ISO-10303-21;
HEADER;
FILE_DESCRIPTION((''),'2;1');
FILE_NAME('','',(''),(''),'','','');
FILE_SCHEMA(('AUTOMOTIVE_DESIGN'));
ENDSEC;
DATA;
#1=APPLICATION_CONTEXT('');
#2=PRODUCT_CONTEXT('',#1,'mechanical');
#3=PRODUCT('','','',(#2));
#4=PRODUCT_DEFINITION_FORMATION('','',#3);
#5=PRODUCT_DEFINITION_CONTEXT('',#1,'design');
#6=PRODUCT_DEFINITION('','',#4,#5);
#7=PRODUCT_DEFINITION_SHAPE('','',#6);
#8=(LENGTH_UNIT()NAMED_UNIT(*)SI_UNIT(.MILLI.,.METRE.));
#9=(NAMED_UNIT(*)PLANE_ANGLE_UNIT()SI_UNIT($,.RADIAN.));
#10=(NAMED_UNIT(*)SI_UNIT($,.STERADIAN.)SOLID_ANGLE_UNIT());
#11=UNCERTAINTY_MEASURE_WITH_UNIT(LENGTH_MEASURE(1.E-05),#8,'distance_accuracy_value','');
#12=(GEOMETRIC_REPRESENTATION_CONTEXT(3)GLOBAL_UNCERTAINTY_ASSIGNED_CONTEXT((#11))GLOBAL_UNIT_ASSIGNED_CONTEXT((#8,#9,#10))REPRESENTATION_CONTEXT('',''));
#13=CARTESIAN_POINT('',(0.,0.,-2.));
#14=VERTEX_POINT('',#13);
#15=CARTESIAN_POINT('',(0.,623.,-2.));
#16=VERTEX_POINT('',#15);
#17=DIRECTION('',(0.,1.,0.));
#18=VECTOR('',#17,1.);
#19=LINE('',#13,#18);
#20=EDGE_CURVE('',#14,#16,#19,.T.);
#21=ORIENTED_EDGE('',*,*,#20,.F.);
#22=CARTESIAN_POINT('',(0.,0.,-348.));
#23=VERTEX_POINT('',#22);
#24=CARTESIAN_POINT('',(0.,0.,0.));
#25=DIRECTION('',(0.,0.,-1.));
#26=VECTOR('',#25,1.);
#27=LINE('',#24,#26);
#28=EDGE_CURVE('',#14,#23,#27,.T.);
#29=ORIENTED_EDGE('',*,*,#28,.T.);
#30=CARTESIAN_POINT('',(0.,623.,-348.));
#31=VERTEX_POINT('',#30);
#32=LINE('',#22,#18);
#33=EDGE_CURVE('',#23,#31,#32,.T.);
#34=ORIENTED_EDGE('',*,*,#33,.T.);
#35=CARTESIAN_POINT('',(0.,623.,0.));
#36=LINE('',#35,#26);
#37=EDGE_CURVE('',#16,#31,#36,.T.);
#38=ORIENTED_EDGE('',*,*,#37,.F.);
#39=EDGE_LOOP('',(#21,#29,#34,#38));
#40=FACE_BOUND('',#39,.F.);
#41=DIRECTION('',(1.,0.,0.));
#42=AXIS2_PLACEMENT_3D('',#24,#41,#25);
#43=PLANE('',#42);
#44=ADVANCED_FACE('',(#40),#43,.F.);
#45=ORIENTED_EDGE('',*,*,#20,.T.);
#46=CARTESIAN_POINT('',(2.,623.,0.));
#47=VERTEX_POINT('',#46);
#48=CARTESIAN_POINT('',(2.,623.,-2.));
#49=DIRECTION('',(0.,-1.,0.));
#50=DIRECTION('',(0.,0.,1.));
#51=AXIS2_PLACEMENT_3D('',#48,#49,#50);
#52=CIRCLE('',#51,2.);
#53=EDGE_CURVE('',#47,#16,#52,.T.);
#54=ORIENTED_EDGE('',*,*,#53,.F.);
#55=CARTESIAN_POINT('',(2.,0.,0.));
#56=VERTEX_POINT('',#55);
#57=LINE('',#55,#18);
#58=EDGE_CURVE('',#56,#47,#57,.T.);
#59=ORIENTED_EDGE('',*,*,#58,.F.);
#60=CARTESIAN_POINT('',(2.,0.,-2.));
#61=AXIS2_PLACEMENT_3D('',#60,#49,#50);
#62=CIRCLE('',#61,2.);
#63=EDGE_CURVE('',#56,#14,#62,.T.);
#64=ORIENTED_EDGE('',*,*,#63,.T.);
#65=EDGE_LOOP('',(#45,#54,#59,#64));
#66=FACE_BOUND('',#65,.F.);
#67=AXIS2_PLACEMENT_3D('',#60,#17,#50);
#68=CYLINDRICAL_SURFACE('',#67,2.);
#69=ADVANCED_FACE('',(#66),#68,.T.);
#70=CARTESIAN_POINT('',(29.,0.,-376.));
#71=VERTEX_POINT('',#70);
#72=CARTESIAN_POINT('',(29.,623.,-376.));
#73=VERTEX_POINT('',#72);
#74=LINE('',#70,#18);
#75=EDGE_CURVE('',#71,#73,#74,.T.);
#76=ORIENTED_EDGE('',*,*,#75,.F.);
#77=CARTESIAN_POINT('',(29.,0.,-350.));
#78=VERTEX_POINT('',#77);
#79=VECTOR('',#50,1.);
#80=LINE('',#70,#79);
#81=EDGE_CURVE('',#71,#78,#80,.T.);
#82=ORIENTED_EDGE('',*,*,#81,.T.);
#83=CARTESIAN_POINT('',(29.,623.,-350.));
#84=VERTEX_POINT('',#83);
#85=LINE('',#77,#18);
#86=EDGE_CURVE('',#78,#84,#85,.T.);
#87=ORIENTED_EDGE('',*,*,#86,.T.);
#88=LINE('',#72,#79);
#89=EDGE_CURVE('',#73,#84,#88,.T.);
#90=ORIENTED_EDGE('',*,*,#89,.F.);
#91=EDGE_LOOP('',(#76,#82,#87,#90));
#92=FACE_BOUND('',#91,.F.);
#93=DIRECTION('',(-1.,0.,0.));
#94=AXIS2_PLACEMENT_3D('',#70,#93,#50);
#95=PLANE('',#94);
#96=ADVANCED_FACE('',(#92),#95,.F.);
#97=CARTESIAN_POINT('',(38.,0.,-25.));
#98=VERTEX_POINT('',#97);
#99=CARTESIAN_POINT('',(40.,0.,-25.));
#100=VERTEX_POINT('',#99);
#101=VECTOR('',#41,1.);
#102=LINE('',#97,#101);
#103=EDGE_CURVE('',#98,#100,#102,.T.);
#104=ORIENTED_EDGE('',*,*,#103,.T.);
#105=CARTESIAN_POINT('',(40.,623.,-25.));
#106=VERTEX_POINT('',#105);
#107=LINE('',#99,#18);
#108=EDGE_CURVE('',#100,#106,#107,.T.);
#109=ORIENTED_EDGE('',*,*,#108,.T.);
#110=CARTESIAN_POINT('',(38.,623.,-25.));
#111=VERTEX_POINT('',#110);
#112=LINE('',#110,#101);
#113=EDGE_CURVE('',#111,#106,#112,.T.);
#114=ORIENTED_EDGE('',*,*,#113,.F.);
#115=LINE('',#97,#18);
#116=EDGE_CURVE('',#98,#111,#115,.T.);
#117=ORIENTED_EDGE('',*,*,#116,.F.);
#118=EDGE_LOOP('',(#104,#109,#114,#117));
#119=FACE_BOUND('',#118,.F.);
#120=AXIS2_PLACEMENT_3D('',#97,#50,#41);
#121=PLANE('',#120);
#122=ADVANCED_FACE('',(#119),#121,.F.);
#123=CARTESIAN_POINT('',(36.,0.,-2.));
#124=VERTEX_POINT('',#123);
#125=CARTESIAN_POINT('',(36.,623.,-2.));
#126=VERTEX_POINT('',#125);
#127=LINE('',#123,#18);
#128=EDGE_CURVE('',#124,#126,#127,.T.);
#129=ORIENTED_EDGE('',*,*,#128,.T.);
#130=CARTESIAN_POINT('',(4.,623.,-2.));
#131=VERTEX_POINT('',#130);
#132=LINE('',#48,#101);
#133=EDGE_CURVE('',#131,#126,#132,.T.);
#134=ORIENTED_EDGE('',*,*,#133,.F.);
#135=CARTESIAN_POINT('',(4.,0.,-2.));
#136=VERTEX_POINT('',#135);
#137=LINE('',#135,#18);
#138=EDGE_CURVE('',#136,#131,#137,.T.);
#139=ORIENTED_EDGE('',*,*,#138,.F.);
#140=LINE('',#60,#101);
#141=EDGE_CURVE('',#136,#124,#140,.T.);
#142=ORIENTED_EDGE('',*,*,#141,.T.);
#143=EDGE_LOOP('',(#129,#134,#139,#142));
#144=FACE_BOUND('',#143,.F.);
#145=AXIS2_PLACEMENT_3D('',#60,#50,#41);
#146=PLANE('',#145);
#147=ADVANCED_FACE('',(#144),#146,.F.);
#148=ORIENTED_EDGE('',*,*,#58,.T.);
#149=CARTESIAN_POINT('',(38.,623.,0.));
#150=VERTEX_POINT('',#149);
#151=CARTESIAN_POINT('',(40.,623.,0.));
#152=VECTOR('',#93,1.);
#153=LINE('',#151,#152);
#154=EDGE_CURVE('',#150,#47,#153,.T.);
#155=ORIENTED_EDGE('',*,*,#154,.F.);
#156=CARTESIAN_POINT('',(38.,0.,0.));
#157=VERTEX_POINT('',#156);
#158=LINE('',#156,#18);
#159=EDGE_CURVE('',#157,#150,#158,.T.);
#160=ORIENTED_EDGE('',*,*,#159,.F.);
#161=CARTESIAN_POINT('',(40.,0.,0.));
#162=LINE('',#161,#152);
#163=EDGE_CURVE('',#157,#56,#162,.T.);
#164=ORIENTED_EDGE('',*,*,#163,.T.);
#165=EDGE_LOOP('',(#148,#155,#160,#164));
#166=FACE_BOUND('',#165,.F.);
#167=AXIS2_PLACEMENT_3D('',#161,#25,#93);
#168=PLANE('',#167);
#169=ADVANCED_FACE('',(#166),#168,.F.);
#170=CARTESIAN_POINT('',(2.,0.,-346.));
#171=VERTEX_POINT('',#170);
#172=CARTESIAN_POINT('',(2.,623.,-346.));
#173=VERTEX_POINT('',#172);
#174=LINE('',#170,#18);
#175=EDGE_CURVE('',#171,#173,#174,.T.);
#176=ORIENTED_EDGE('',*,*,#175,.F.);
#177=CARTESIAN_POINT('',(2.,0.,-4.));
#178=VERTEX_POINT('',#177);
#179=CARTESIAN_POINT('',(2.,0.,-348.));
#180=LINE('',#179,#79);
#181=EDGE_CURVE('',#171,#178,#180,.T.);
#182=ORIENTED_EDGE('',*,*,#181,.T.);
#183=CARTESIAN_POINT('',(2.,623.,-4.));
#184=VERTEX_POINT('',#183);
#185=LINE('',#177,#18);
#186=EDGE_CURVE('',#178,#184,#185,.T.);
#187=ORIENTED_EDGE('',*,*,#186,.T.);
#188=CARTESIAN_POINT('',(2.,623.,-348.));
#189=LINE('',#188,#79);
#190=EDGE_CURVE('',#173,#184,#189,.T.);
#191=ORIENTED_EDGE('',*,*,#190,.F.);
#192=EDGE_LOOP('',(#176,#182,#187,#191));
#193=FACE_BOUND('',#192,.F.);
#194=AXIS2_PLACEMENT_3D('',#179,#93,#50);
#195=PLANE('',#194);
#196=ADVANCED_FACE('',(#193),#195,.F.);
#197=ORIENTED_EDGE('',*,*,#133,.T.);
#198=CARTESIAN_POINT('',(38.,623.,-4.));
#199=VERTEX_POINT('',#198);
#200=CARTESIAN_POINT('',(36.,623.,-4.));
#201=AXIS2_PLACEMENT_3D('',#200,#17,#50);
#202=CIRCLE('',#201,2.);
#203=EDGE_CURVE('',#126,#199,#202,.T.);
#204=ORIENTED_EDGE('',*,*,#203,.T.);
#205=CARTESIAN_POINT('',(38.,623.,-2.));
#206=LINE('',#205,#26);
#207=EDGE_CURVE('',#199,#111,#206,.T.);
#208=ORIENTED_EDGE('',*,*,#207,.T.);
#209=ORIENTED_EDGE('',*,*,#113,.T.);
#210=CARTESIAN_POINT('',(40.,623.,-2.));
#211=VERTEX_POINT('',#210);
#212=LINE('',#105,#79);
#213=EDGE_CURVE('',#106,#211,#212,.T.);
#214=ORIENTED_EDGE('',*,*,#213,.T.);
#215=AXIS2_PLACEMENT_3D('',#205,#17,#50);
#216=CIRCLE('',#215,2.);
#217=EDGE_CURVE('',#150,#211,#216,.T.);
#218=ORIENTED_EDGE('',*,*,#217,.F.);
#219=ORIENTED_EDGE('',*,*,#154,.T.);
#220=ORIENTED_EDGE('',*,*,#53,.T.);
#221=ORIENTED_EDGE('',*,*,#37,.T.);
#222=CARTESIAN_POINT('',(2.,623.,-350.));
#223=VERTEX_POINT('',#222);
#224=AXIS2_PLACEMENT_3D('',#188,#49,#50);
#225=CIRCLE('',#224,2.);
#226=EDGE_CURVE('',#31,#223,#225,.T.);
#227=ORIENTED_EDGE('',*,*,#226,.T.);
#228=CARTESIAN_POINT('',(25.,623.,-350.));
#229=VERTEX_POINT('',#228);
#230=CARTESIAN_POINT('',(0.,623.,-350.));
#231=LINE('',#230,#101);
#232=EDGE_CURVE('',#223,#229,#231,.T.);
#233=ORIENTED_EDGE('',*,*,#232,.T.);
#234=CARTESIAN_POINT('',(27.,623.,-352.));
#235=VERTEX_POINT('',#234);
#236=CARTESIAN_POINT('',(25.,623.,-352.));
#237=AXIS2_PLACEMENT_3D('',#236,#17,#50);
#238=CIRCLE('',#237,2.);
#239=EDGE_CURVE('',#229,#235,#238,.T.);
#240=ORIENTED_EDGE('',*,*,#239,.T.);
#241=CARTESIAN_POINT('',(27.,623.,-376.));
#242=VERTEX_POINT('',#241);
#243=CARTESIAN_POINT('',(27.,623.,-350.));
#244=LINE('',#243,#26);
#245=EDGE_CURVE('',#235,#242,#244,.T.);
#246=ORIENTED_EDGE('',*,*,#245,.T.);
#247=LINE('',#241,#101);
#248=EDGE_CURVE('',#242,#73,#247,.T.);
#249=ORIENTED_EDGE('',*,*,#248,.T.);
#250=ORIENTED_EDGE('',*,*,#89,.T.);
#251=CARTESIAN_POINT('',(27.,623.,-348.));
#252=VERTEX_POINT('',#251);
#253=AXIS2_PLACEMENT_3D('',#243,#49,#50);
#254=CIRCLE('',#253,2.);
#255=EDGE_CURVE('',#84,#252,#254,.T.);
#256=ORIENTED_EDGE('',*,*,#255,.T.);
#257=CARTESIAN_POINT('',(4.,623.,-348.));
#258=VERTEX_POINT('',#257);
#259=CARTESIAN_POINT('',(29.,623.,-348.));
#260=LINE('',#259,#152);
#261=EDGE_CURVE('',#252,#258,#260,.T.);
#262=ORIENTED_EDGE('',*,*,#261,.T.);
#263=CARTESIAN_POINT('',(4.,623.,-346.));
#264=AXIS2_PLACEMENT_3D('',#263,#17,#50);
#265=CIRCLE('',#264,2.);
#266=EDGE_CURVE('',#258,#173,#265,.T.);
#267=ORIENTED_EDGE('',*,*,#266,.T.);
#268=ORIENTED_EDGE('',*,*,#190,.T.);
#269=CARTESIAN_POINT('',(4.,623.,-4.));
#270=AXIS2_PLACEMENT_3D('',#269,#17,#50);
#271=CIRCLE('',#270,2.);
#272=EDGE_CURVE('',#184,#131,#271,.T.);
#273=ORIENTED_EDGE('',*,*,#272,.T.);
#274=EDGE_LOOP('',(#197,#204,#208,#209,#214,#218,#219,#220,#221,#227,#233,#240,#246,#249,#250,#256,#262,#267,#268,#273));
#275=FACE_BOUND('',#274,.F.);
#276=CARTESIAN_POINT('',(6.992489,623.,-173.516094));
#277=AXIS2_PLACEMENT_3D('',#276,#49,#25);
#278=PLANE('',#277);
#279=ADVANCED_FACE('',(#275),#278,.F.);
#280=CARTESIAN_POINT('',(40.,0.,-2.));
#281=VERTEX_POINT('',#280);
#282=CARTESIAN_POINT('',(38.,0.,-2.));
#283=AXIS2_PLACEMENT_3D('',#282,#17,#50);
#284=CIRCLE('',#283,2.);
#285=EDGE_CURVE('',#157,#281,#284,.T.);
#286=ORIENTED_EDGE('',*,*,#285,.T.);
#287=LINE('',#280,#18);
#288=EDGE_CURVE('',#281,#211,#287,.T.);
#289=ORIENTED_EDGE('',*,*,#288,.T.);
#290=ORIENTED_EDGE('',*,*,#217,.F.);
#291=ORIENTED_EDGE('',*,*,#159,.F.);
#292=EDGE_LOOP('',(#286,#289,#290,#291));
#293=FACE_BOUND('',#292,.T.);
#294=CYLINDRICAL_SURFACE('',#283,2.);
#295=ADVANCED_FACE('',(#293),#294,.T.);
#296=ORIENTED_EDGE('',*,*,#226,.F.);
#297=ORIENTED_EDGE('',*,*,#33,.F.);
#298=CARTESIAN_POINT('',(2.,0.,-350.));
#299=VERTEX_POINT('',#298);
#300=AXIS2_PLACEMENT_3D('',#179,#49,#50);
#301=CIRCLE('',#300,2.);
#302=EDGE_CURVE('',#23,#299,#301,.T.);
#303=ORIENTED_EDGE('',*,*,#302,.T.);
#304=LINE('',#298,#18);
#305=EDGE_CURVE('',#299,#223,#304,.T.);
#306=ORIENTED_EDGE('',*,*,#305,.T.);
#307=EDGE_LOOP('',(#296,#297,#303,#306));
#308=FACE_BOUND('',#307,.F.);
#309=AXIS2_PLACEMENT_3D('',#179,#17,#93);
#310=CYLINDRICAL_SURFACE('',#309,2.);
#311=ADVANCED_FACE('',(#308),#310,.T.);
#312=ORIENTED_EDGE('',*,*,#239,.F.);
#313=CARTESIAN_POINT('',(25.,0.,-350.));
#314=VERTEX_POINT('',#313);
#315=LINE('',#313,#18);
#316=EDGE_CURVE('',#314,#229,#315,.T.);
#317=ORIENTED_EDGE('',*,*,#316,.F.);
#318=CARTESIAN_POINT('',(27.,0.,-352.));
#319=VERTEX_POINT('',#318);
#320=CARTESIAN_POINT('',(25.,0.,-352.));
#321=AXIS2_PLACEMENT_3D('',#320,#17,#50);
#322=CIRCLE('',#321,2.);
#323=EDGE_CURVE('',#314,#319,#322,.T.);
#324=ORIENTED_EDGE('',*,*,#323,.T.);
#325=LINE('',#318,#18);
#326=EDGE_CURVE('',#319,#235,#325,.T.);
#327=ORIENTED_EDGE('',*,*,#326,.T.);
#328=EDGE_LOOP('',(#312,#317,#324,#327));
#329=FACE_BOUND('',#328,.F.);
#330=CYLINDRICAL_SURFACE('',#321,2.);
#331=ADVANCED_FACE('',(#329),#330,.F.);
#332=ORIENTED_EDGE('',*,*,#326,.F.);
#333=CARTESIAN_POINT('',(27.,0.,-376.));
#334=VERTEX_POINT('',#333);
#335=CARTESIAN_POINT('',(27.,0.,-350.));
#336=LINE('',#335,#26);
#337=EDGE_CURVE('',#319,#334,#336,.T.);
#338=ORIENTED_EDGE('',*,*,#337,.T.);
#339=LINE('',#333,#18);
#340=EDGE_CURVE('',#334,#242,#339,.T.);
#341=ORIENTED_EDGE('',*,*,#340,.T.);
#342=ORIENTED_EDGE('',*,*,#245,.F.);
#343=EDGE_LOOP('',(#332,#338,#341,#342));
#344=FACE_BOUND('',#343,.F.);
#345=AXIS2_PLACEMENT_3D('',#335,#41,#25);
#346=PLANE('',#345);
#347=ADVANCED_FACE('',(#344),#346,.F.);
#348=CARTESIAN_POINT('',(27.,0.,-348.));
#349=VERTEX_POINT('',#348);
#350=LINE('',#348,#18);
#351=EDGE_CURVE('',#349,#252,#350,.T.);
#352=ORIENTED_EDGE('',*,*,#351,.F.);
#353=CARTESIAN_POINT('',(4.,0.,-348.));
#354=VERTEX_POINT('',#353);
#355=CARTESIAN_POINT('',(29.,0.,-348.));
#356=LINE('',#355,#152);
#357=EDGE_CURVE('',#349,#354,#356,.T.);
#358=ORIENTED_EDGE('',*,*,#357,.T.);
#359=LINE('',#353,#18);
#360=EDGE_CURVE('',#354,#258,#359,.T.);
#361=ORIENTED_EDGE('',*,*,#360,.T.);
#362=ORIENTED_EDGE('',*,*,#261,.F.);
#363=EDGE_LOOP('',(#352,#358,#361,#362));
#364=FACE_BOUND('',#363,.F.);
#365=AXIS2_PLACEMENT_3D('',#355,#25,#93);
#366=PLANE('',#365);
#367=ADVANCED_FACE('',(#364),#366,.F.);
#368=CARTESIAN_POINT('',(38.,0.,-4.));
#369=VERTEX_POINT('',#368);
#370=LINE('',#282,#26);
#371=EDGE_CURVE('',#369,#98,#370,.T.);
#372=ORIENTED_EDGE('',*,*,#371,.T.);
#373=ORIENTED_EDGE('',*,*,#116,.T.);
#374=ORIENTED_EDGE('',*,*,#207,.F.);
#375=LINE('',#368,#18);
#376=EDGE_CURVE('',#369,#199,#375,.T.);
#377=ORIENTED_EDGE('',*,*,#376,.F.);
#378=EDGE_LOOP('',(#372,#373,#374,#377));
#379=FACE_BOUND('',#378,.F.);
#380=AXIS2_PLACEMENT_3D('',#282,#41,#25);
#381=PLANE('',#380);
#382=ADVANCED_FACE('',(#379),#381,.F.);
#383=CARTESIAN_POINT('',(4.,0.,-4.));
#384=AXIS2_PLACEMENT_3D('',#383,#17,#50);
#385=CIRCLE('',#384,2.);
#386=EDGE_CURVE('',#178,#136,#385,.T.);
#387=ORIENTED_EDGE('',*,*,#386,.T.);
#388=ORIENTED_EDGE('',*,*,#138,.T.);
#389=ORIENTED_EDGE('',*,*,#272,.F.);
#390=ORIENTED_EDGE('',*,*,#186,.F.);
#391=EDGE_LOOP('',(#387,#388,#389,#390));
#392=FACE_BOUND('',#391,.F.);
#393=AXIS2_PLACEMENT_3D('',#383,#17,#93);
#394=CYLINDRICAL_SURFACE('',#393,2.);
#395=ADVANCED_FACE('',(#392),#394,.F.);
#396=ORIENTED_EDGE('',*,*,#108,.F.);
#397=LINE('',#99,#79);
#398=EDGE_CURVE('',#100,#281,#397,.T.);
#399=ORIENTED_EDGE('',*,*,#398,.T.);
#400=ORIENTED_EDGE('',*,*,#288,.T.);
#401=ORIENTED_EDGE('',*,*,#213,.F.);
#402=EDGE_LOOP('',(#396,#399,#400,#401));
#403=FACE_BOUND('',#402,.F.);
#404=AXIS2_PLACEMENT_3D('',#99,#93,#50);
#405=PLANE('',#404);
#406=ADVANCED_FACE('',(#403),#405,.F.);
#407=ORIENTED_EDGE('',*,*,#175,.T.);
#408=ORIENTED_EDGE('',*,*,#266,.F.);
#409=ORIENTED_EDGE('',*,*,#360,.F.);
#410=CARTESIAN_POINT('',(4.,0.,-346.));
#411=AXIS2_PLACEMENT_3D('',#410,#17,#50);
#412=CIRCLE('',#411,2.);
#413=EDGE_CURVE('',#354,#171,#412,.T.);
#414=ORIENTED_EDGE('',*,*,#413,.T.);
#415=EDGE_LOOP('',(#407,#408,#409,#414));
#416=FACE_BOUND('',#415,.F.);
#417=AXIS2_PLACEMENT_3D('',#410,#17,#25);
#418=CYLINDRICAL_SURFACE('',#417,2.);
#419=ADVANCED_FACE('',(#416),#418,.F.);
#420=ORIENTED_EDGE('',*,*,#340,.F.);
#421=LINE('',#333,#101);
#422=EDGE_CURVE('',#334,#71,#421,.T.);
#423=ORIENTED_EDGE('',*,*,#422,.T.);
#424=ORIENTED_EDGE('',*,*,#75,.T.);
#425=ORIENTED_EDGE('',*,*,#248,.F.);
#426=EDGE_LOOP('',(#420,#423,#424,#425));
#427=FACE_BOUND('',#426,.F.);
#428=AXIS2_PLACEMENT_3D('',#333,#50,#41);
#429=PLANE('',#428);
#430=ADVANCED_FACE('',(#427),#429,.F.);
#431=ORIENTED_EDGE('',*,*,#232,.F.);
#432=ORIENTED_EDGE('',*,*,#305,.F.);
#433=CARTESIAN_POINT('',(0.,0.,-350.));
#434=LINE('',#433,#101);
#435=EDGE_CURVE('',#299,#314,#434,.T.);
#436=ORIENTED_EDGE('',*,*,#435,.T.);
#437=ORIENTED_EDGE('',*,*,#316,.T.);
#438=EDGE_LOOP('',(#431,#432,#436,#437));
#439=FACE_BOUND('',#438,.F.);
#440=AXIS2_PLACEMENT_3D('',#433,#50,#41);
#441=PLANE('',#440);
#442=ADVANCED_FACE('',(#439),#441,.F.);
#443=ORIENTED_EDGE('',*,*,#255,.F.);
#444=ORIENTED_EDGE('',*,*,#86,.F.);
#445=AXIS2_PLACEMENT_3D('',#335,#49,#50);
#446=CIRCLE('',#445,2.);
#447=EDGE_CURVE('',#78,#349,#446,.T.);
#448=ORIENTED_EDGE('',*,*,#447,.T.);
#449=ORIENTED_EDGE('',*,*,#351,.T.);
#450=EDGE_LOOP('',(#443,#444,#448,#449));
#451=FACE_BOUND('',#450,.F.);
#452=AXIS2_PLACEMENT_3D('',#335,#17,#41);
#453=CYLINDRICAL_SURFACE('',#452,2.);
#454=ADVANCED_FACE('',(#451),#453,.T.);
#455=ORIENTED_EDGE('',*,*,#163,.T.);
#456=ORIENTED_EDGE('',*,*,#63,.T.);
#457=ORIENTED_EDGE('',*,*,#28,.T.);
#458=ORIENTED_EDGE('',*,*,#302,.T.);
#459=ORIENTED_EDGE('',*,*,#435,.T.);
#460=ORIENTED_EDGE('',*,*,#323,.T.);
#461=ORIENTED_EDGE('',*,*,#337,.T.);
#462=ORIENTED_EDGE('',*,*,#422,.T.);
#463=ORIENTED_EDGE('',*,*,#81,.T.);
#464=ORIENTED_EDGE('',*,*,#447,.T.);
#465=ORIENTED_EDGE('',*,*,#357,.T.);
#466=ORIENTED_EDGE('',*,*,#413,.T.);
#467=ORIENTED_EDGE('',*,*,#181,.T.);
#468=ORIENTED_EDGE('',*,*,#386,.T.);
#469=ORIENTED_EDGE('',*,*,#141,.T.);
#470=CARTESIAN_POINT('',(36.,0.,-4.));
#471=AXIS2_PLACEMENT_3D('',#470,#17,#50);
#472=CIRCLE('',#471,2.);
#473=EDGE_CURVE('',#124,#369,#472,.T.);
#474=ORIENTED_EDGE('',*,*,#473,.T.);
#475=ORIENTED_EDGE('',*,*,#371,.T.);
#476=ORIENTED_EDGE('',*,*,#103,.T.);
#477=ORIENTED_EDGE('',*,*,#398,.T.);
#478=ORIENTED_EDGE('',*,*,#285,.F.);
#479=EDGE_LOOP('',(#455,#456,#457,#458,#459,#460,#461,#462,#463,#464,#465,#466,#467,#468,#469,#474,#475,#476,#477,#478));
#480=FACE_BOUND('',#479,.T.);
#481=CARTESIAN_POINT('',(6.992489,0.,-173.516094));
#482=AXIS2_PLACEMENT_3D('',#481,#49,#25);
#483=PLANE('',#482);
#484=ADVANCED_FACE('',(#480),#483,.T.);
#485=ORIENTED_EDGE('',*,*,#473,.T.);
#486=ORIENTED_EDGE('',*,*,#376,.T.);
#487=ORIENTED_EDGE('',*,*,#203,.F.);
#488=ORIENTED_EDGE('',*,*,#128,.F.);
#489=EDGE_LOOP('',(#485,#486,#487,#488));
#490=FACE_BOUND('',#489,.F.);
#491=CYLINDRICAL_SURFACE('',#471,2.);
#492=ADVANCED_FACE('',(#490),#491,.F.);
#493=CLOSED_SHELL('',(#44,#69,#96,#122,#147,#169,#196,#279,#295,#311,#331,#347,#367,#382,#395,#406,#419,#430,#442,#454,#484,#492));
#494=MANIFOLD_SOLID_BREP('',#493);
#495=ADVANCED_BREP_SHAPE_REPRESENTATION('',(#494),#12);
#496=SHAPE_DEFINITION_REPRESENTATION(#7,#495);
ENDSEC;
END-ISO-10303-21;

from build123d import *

# Parameters (mm, degrees)
F3_R = 2


with BuildPart() as f2:
    # F2: sweep along a path in F1
    with BuildLine(Plane.XY) as f2_path:
        Line((0, 0), (0, 623))
    # F0 (on Front) → F2 (sweep)
    with BuildSketch(Plane.XZ):
        Polygon((40, 0), (0, 0), (0, -350), (27, -350), (27, -376), (29, -376), (29, -348), (2, -348), (2, -2), (38, -2), (38, -25), (40, -25), align=None)
    sweep(path=f2_path.line)

    # F3
    f3_edges = [f2.edges().sort_by_distance(p)[0] for p in [
        (40, 311.5, 0),
        (0, 311.5, 0),
        (29, 311.5, -348),
        (2, 311.5, -348),
        (2, 311.5, -2),
        (38, 311.5, -2),
        (27, 311.5, -350),
        (0, 311.5, -350),
    ]]
    fillet(f3_edges, radius=F3_R)


solid = f2.part
